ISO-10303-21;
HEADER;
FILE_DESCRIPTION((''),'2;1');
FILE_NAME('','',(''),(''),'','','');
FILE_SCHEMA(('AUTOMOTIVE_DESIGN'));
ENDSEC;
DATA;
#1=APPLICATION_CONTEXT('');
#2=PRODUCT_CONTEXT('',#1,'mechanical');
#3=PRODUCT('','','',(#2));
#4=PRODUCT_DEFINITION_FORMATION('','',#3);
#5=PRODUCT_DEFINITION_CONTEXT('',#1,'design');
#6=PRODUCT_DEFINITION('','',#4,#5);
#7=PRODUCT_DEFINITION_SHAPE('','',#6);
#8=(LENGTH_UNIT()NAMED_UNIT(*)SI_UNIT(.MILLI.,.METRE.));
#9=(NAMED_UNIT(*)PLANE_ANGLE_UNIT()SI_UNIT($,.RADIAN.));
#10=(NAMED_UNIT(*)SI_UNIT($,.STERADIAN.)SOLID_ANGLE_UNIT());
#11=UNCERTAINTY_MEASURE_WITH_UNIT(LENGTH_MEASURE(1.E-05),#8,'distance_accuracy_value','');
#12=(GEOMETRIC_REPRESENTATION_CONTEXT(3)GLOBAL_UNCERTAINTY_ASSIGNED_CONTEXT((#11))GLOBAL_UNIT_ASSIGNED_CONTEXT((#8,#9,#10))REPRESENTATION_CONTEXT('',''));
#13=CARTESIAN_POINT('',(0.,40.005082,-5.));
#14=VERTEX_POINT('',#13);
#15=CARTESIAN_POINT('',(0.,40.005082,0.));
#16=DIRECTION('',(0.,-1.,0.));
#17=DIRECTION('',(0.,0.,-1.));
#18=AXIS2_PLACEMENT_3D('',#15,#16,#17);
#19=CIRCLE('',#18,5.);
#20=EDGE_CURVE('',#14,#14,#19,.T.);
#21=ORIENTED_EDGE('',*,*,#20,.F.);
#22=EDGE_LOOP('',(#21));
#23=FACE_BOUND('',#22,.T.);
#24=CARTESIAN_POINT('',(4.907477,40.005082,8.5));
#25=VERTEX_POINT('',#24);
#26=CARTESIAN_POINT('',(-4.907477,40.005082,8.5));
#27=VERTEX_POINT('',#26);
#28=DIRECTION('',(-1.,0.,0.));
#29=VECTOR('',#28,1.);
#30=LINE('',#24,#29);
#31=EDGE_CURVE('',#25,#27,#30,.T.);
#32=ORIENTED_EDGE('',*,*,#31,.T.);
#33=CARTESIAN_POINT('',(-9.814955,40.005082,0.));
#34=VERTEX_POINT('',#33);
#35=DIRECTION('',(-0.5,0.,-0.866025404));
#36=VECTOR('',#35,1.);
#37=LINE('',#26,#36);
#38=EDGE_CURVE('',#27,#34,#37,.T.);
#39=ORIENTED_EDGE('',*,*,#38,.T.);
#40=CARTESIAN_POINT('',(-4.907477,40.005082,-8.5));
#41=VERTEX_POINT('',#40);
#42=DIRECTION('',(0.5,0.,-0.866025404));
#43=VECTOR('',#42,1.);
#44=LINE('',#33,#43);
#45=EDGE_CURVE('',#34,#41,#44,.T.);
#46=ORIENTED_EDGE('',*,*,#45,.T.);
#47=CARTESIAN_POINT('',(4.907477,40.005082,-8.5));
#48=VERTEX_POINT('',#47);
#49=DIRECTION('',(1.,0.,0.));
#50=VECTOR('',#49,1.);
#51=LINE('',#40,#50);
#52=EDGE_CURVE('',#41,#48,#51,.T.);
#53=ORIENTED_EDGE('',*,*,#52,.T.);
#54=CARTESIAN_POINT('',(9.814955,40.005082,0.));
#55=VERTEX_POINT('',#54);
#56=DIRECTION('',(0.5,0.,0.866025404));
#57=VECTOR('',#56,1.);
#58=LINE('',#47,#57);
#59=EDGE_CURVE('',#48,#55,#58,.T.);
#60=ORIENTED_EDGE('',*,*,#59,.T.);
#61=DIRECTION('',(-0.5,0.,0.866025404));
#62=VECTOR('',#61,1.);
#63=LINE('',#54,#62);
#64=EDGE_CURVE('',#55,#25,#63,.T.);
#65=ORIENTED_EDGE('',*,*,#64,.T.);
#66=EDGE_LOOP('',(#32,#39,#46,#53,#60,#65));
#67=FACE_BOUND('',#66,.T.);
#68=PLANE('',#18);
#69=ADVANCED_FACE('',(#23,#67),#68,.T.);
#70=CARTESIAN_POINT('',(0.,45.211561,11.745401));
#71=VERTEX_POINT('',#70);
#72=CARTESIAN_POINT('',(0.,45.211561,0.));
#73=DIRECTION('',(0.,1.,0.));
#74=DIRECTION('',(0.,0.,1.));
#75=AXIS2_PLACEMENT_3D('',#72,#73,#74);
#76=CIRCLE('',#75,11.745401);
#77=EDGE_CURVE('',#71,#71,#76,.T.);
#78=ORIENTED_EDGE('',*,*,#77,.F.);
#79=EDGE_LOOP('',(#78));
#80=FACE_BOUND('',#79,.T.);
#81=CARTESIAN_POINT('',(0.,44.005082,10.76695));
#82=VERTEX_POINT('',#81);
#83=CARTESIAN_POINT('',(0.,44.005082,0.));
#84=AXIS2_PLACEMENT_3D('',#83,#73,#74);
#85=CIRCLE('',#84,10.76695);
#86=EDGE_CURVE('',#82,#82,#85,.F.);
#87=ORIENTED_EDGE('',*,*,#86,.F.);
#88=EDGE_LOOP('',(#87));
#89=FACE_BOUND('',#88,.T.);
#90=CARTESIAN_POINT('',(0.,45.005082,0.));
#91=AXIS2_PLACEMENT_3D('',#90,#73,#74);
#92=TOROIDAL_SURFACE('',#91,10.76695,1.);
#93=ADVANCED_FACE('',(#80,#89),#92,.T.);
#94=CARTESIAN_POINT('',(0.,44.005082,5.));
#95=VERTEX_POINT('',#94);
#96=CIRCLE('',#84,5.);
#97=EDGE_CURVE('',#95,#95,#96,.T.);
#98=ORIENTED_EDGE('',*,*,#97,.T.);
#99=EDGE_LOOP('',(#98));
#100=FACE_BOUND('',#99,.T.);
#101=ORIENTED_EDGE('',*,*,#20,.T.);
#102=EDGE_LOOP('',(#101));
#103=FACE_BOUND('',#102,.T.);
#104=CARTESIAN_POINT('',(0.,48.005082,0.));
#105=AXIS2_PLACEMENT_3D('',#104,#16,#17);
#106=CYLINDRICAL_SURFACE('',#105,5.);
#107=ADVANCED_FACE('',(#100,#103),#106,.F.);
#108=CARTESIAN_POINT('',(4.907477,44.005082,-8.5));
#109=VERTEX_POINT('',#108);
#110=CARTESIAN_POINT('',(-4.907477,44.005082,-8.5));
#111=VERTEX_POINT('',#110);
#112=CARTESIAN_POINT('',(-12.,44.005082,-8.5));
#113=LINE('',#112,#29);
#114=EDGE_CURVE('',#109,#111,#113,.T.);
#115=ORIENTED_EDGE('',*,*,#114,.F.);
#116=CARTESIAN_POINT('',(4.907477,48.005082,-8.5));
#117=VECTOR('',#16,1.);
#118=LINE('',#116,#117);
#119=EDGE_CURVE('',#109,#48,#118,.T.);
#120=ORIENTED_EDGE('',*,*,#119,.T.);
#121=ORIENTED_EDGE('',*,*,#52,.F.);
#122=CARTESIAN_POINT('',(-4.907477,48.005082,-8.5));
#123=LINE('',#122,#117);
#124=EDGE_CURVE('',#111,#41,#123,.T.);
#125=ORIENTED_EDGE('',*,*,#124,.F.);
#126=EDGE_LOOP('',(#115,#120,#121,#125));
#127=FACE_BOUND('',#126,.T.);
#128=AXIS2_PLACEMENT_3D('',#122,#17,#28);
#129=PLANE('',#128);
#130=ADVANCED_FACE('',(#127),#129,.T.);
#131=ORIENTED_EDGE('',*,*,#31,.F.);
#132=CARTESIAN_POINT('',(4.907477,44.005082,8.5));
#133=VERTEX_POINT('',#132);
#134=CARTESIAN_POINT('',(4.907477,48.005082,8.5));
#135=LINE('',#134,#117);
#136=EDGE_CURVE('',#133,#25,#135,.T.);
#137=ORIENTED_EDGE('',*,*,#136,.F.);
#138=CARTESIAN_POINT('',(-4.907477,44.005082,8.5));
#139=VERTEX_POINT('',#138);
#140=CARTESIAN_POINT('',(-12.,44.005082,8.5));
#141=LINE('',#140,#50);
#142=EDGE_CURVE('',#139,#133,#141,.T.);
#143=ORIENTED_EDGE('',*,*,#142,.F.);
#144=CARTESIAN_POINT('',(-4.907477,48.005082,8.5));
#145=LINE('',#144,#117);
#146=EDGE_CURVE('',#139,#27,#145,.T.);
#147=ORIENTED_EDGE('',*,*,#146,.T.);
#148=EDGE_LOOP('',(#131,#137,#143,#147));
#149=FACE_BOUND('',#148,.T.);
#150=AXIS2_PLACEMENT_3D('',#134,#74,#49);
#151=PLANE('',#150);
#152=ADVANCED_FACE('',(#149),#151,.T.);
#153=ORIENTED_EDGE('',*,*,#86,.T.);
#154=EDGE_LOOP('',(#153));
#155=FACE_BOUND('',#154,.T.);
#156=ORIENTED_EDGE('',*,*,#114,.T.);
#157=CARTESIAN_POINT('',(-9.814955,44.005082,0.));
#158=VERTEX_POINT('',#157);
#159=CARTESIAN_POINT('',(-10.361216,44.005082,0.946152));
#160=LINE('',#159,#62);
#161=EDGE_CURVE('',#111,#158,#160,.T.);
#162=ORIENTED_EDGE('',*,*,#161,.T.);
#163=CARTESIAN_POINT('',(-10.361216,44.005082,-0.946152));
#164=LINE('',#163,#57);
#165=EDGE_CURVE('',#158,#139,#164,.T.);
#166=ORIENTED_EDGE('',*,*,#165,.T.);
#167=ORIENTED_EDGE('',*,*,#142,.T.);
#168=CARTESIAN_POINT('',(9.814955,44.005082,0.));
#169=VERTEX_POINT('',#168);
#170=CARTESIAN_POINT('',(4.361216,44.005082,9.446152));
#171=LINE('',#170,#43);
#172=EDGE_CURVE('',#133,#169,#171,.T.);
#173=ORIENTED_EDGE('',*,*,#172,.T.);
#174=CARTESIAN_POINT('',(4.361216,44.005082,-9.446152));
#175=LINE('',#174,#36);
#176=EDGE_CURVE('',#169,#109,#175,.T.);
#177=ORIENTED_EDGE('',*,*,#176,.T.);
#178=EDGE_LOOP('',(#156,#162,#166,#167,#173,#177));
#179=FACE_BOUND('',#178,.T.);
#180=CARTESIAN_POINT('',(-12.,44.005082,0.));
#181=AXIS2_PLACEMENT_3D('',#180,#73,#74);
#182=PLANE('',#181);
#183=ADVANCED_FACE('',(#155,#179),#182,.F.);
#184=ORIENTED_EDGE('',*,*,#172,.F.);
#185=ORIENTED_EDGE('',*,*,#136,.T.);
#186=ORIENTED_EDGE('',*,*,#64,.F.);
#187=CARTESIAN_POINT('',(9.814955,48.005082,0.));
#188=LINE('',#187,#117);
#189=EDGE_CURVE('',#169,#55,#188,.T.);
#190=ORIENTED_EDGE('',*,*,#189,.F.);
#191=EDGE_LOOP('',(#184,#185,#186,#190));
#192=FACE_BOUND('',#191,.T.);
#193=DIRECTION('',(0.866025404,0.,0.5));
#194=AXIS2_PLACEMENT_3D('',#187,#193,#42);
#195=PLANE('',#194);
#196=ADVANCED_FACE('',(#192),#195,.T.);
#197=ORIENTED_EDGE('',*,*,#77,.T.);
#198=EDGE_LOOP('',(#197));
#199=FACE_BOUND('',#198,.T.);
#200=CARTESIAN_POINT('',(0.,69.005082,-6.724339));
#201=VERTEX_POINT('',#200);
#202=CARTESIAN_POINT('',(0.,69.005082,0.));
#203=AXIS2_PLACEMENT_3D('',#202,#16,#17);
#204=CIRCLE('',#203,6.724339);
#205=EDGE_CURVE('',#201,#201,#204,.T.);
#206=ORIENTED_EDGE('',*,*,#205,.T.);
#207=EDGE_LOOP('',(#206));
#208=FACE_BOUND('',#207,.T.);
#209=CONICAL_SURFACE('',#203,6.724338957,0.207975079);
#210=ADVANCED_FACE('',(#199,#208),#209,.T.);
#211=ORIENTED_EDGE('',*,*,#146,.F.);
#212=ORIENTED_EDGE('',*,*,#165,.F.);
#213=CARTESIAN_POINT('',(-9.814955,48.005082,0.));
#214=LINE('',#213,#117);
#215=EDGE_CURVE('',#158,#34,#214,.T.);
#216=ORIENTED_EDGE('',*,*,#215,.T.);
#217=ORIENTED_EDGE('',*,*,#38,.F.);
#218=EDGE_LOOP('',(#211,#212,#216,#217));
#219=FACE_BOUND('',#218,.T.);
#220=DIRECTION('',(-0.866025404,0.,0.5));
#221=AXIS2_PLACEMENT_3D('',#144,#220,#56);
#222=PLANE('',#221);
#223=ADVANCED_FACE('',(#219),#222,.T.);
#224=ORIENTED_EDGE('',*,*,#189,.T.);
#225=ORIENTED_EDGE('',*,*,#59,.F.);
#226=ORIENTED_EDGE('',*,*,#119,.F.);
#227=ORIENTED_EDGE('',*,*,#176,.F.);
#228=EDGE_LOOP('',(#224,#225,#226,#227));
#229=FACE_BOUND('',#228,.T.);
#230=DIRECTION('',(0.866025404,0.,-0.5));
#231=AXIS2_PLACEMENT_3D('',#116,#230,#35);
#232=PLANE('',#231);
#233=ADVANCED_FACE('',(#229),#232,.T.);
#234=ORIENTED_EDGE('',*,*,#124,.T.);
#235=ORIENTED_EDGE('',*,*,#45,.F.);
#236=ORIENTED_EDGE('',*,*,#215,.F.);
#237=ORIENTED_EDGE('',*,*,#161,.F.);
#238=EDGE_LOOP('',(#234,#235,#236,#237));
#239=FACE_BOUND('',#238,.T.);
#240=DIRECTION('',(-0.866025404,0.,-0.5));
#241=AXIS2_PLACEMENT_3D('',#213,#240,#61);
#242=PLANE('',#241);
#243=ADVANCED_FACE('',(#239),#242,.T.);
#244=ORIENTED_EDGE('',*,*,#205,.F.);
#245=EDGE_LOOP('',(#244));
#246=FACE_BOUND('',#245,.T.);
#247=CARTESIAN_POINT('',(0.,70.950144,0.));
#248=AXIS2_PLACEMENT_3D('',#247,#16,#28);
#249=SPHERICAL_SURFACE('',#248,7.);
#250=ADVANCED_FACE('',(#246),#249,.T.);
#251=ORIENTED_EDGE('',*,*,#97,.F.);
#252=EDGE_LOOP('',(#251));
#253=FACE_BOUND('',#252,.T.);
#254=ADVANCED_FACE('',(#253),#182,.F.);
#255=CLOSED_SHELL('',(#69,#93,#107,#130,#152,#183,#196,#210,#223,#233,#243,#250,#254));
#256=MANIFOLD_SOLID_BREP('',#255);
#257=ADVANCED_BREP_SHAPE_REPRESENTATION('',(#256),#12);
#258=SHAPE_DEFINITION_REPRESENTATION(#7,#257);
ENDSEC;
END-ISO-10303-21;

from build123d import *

# Parameters (mm, degrees)
SKETCH2_R           = 5
BOSS_EXTRUDE1_DEPTH = 8
FILLET1_R           = 1


with BuildPart() as part:
    # Sketch1 → Revolve1 (revolve)
    with BuildSketch(Plane.XY):
        with BuildLine():
            Line((-6.724338957, 69.005082459), (-12, 44.005082459))
            Line((-12, 44.005082459), (0, 44.005082459))
            Line((0, 44.005082459), (0, 77.950144306))
            ThreePointArc((0, 77.950144306), (-5.59532988, 75.156363932), (-6.724338957, 69.005082459))
        make_face()
    revolve(axis=Axis((0, 0, 0), (0, 1, 0)))

    # Sketch2 → Boss-Extrude1 (add)
    with BuildSketch(Plane.XZ.offset(-40.005082459)):
        Polygon((9.814954576, 0), (4.907477288, 8.5), (-4.907477288, 8.5), (-9.814954576, 0), (-4.907477288, -8.5), (4.907477288, -8.5), align=None)
        with Locations(Location((0, 0, 0), (0, 0, 270))):
            Circle(SKETCH2_R, mode=Mode.SUBTRACT)
    extrude(amount=-BOSS_EXTRUDE1_DEPTH)

    # Fillet1
    fillet1_edges = [part.edges().sort_by_distance(p)[0] for p in [
        (12, 44.005082459, 0),
    ]]
    fillet(fillet1_edges, radius=FILLET1_R)


solid = part.part
